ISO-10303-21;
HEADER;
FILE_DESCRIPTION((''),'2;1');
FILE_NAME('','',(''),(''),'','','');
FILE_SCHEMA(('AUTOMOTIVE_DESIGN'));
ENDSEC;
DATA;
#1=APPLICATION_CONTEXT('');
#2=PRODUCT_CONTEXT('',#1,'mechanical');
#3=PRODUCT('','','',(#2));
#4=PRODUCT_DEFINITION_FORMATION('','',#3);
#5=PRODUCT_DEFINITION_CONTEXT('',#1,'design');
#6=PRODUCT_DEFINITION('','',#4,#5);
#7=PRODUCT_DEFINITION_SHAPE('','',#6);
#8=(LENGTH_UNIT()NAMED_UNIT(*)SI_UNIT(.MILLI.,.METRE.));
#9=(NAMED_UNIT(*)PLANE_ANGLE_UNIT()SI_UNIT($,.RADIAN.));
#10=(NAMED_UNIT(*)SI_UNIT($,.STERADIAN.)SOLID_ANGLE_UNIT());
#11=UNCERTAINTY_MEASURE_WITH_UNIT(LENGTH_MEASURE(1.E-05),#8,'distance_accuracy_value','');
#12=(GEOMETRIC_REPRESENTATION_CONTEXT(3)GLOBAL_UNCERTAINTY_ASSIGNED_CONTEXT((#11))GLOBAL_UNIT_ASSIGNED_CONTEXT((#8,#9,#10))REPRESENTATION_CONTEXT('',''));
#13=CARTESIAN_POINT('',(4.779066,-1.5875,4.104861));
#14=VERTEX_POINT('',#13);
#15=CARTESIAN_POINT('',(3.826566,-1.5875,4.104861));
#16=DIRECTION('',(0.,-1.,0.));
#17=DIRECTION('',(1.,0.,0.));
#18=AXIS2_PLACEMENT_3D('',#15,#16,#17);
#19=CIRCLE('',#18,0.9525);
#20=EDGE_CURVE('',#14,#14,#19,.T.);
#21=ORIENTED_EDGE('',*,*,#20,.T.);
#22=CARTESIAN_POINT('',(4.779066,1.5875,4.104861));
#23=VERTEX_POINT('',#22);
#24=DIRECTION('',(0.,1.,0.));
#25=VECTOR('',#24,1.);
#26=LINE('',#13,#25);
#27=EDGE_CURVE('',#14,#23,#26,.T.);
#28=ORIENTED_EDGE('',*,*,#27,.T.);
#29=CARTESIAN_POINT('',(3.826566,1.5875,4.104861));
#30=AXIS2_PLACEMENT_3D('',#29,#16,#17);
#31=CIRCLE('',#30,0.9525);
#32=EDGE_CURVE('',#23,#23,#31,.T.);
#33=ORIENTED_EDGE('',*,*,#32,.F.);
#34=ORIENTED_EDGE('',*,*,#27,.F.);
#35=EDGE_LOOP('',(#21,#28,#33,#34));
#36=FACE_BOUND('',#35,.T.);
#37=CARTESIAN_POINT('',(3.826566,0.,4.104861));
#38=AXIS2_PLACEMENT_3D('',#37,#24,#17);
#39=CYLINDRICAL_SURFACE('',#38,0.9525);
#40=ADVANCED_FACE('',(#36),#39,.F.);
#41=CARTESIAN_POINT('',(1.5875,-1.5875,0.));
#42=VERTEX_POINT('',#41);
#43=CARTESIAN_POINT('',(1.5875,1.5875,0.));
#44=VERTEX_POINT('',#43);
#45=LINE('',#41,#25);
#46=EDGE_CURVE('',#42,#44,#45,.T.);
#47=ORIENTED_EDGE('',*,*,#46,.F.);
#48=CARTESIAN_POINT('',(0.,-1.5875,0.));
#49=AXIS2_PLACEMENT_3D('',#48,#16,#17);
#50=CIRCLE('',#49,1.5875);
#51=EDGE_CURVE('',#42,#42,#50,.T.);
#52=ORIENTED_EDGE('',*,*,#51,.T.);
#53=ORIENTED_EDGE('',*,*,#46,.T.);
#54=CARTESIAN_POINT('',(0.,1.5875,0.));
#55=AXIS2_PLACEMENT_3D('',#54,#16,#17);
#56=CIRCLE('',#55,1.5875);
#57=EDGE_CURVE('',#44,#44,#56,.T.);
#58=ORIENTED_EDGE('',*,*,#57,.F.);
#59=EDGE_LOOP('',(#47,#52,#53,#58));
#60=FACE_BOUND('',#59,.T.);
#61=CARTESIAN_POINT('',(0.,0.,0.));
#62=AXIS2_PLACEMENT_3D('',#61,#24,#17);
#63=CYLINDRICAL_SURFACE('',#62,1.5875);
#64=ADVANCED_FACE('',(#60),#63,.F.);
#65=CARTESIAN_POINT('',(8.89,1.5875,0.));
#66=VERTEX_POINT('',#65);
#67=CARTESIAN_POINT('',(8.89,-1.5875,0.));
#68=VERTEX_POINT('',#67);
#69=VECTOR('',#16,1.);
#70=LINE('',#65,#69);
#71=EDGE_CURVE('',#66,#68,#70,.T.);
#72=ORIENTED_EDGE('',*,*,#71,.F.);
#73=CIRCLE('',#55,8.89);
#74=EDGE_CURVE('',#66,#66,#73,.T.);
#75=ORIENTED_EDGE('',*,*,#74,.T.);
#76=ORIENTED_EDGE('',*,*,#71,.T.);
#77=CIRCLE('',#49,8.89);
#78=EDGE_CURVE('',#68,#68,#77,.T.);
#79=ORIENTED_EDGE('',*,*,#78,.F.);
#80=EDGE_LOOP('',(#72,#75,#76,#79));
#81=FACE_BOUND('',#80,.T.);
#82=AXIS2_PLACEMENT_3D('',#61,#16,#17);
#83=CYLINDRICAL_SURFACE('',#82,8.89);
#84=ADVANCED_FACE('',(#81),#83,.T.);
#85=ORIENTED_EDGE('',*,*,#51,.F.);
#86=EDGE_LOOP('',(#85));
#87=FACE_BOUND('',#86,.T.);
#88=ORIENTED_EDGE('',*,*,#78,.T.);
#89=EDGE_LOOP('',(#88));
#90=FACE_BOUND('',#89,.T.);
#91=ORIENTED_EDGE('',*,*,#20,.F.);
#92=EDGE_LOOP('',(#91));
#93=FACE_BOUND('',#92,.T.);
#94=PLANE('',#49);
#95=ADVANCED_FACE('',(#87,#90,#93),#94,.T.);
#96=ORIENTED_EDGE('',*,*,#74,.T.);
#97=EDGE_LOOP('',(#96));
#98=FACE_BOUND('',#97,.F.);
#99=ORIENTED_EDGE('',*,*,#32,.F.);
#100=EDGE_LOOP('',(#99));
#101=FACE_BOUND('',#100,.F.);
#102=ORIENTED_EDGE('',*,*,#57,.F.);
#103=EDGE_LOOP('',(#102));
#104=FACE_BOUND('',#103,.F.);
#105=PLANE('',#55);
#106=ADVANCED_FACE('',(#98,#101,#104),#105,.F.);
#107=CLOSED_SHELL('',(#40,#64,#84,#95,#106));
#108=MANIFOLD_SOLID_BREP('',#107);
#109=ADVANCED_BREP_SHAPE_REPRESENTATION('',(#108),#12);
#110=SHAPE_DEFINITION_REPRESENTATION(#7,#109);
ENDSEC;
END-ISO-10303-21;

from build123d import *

# Parameters (mm, degrees)
F0_R     = 8.89
F0_R_2   = 1.5875
F0_R_3   = 0.9525
F1_DEPTH = 1.5875


with BuildPart() as f1:
    # F0 (on Front) → F1 (new body, symmetric)
    with BuildSketch(Plane.XZ):
        Circle(F0_R)
        Circle(F0_R_2, mode=Mode.SUBTRACT)
        with Locations((3.826566, 4.104861)):
            Circle(F0_R_3, mode=Mode.SUBTRACT)
    extrude(amount=F1_DEPTH, both=True)


solid = f1.part
